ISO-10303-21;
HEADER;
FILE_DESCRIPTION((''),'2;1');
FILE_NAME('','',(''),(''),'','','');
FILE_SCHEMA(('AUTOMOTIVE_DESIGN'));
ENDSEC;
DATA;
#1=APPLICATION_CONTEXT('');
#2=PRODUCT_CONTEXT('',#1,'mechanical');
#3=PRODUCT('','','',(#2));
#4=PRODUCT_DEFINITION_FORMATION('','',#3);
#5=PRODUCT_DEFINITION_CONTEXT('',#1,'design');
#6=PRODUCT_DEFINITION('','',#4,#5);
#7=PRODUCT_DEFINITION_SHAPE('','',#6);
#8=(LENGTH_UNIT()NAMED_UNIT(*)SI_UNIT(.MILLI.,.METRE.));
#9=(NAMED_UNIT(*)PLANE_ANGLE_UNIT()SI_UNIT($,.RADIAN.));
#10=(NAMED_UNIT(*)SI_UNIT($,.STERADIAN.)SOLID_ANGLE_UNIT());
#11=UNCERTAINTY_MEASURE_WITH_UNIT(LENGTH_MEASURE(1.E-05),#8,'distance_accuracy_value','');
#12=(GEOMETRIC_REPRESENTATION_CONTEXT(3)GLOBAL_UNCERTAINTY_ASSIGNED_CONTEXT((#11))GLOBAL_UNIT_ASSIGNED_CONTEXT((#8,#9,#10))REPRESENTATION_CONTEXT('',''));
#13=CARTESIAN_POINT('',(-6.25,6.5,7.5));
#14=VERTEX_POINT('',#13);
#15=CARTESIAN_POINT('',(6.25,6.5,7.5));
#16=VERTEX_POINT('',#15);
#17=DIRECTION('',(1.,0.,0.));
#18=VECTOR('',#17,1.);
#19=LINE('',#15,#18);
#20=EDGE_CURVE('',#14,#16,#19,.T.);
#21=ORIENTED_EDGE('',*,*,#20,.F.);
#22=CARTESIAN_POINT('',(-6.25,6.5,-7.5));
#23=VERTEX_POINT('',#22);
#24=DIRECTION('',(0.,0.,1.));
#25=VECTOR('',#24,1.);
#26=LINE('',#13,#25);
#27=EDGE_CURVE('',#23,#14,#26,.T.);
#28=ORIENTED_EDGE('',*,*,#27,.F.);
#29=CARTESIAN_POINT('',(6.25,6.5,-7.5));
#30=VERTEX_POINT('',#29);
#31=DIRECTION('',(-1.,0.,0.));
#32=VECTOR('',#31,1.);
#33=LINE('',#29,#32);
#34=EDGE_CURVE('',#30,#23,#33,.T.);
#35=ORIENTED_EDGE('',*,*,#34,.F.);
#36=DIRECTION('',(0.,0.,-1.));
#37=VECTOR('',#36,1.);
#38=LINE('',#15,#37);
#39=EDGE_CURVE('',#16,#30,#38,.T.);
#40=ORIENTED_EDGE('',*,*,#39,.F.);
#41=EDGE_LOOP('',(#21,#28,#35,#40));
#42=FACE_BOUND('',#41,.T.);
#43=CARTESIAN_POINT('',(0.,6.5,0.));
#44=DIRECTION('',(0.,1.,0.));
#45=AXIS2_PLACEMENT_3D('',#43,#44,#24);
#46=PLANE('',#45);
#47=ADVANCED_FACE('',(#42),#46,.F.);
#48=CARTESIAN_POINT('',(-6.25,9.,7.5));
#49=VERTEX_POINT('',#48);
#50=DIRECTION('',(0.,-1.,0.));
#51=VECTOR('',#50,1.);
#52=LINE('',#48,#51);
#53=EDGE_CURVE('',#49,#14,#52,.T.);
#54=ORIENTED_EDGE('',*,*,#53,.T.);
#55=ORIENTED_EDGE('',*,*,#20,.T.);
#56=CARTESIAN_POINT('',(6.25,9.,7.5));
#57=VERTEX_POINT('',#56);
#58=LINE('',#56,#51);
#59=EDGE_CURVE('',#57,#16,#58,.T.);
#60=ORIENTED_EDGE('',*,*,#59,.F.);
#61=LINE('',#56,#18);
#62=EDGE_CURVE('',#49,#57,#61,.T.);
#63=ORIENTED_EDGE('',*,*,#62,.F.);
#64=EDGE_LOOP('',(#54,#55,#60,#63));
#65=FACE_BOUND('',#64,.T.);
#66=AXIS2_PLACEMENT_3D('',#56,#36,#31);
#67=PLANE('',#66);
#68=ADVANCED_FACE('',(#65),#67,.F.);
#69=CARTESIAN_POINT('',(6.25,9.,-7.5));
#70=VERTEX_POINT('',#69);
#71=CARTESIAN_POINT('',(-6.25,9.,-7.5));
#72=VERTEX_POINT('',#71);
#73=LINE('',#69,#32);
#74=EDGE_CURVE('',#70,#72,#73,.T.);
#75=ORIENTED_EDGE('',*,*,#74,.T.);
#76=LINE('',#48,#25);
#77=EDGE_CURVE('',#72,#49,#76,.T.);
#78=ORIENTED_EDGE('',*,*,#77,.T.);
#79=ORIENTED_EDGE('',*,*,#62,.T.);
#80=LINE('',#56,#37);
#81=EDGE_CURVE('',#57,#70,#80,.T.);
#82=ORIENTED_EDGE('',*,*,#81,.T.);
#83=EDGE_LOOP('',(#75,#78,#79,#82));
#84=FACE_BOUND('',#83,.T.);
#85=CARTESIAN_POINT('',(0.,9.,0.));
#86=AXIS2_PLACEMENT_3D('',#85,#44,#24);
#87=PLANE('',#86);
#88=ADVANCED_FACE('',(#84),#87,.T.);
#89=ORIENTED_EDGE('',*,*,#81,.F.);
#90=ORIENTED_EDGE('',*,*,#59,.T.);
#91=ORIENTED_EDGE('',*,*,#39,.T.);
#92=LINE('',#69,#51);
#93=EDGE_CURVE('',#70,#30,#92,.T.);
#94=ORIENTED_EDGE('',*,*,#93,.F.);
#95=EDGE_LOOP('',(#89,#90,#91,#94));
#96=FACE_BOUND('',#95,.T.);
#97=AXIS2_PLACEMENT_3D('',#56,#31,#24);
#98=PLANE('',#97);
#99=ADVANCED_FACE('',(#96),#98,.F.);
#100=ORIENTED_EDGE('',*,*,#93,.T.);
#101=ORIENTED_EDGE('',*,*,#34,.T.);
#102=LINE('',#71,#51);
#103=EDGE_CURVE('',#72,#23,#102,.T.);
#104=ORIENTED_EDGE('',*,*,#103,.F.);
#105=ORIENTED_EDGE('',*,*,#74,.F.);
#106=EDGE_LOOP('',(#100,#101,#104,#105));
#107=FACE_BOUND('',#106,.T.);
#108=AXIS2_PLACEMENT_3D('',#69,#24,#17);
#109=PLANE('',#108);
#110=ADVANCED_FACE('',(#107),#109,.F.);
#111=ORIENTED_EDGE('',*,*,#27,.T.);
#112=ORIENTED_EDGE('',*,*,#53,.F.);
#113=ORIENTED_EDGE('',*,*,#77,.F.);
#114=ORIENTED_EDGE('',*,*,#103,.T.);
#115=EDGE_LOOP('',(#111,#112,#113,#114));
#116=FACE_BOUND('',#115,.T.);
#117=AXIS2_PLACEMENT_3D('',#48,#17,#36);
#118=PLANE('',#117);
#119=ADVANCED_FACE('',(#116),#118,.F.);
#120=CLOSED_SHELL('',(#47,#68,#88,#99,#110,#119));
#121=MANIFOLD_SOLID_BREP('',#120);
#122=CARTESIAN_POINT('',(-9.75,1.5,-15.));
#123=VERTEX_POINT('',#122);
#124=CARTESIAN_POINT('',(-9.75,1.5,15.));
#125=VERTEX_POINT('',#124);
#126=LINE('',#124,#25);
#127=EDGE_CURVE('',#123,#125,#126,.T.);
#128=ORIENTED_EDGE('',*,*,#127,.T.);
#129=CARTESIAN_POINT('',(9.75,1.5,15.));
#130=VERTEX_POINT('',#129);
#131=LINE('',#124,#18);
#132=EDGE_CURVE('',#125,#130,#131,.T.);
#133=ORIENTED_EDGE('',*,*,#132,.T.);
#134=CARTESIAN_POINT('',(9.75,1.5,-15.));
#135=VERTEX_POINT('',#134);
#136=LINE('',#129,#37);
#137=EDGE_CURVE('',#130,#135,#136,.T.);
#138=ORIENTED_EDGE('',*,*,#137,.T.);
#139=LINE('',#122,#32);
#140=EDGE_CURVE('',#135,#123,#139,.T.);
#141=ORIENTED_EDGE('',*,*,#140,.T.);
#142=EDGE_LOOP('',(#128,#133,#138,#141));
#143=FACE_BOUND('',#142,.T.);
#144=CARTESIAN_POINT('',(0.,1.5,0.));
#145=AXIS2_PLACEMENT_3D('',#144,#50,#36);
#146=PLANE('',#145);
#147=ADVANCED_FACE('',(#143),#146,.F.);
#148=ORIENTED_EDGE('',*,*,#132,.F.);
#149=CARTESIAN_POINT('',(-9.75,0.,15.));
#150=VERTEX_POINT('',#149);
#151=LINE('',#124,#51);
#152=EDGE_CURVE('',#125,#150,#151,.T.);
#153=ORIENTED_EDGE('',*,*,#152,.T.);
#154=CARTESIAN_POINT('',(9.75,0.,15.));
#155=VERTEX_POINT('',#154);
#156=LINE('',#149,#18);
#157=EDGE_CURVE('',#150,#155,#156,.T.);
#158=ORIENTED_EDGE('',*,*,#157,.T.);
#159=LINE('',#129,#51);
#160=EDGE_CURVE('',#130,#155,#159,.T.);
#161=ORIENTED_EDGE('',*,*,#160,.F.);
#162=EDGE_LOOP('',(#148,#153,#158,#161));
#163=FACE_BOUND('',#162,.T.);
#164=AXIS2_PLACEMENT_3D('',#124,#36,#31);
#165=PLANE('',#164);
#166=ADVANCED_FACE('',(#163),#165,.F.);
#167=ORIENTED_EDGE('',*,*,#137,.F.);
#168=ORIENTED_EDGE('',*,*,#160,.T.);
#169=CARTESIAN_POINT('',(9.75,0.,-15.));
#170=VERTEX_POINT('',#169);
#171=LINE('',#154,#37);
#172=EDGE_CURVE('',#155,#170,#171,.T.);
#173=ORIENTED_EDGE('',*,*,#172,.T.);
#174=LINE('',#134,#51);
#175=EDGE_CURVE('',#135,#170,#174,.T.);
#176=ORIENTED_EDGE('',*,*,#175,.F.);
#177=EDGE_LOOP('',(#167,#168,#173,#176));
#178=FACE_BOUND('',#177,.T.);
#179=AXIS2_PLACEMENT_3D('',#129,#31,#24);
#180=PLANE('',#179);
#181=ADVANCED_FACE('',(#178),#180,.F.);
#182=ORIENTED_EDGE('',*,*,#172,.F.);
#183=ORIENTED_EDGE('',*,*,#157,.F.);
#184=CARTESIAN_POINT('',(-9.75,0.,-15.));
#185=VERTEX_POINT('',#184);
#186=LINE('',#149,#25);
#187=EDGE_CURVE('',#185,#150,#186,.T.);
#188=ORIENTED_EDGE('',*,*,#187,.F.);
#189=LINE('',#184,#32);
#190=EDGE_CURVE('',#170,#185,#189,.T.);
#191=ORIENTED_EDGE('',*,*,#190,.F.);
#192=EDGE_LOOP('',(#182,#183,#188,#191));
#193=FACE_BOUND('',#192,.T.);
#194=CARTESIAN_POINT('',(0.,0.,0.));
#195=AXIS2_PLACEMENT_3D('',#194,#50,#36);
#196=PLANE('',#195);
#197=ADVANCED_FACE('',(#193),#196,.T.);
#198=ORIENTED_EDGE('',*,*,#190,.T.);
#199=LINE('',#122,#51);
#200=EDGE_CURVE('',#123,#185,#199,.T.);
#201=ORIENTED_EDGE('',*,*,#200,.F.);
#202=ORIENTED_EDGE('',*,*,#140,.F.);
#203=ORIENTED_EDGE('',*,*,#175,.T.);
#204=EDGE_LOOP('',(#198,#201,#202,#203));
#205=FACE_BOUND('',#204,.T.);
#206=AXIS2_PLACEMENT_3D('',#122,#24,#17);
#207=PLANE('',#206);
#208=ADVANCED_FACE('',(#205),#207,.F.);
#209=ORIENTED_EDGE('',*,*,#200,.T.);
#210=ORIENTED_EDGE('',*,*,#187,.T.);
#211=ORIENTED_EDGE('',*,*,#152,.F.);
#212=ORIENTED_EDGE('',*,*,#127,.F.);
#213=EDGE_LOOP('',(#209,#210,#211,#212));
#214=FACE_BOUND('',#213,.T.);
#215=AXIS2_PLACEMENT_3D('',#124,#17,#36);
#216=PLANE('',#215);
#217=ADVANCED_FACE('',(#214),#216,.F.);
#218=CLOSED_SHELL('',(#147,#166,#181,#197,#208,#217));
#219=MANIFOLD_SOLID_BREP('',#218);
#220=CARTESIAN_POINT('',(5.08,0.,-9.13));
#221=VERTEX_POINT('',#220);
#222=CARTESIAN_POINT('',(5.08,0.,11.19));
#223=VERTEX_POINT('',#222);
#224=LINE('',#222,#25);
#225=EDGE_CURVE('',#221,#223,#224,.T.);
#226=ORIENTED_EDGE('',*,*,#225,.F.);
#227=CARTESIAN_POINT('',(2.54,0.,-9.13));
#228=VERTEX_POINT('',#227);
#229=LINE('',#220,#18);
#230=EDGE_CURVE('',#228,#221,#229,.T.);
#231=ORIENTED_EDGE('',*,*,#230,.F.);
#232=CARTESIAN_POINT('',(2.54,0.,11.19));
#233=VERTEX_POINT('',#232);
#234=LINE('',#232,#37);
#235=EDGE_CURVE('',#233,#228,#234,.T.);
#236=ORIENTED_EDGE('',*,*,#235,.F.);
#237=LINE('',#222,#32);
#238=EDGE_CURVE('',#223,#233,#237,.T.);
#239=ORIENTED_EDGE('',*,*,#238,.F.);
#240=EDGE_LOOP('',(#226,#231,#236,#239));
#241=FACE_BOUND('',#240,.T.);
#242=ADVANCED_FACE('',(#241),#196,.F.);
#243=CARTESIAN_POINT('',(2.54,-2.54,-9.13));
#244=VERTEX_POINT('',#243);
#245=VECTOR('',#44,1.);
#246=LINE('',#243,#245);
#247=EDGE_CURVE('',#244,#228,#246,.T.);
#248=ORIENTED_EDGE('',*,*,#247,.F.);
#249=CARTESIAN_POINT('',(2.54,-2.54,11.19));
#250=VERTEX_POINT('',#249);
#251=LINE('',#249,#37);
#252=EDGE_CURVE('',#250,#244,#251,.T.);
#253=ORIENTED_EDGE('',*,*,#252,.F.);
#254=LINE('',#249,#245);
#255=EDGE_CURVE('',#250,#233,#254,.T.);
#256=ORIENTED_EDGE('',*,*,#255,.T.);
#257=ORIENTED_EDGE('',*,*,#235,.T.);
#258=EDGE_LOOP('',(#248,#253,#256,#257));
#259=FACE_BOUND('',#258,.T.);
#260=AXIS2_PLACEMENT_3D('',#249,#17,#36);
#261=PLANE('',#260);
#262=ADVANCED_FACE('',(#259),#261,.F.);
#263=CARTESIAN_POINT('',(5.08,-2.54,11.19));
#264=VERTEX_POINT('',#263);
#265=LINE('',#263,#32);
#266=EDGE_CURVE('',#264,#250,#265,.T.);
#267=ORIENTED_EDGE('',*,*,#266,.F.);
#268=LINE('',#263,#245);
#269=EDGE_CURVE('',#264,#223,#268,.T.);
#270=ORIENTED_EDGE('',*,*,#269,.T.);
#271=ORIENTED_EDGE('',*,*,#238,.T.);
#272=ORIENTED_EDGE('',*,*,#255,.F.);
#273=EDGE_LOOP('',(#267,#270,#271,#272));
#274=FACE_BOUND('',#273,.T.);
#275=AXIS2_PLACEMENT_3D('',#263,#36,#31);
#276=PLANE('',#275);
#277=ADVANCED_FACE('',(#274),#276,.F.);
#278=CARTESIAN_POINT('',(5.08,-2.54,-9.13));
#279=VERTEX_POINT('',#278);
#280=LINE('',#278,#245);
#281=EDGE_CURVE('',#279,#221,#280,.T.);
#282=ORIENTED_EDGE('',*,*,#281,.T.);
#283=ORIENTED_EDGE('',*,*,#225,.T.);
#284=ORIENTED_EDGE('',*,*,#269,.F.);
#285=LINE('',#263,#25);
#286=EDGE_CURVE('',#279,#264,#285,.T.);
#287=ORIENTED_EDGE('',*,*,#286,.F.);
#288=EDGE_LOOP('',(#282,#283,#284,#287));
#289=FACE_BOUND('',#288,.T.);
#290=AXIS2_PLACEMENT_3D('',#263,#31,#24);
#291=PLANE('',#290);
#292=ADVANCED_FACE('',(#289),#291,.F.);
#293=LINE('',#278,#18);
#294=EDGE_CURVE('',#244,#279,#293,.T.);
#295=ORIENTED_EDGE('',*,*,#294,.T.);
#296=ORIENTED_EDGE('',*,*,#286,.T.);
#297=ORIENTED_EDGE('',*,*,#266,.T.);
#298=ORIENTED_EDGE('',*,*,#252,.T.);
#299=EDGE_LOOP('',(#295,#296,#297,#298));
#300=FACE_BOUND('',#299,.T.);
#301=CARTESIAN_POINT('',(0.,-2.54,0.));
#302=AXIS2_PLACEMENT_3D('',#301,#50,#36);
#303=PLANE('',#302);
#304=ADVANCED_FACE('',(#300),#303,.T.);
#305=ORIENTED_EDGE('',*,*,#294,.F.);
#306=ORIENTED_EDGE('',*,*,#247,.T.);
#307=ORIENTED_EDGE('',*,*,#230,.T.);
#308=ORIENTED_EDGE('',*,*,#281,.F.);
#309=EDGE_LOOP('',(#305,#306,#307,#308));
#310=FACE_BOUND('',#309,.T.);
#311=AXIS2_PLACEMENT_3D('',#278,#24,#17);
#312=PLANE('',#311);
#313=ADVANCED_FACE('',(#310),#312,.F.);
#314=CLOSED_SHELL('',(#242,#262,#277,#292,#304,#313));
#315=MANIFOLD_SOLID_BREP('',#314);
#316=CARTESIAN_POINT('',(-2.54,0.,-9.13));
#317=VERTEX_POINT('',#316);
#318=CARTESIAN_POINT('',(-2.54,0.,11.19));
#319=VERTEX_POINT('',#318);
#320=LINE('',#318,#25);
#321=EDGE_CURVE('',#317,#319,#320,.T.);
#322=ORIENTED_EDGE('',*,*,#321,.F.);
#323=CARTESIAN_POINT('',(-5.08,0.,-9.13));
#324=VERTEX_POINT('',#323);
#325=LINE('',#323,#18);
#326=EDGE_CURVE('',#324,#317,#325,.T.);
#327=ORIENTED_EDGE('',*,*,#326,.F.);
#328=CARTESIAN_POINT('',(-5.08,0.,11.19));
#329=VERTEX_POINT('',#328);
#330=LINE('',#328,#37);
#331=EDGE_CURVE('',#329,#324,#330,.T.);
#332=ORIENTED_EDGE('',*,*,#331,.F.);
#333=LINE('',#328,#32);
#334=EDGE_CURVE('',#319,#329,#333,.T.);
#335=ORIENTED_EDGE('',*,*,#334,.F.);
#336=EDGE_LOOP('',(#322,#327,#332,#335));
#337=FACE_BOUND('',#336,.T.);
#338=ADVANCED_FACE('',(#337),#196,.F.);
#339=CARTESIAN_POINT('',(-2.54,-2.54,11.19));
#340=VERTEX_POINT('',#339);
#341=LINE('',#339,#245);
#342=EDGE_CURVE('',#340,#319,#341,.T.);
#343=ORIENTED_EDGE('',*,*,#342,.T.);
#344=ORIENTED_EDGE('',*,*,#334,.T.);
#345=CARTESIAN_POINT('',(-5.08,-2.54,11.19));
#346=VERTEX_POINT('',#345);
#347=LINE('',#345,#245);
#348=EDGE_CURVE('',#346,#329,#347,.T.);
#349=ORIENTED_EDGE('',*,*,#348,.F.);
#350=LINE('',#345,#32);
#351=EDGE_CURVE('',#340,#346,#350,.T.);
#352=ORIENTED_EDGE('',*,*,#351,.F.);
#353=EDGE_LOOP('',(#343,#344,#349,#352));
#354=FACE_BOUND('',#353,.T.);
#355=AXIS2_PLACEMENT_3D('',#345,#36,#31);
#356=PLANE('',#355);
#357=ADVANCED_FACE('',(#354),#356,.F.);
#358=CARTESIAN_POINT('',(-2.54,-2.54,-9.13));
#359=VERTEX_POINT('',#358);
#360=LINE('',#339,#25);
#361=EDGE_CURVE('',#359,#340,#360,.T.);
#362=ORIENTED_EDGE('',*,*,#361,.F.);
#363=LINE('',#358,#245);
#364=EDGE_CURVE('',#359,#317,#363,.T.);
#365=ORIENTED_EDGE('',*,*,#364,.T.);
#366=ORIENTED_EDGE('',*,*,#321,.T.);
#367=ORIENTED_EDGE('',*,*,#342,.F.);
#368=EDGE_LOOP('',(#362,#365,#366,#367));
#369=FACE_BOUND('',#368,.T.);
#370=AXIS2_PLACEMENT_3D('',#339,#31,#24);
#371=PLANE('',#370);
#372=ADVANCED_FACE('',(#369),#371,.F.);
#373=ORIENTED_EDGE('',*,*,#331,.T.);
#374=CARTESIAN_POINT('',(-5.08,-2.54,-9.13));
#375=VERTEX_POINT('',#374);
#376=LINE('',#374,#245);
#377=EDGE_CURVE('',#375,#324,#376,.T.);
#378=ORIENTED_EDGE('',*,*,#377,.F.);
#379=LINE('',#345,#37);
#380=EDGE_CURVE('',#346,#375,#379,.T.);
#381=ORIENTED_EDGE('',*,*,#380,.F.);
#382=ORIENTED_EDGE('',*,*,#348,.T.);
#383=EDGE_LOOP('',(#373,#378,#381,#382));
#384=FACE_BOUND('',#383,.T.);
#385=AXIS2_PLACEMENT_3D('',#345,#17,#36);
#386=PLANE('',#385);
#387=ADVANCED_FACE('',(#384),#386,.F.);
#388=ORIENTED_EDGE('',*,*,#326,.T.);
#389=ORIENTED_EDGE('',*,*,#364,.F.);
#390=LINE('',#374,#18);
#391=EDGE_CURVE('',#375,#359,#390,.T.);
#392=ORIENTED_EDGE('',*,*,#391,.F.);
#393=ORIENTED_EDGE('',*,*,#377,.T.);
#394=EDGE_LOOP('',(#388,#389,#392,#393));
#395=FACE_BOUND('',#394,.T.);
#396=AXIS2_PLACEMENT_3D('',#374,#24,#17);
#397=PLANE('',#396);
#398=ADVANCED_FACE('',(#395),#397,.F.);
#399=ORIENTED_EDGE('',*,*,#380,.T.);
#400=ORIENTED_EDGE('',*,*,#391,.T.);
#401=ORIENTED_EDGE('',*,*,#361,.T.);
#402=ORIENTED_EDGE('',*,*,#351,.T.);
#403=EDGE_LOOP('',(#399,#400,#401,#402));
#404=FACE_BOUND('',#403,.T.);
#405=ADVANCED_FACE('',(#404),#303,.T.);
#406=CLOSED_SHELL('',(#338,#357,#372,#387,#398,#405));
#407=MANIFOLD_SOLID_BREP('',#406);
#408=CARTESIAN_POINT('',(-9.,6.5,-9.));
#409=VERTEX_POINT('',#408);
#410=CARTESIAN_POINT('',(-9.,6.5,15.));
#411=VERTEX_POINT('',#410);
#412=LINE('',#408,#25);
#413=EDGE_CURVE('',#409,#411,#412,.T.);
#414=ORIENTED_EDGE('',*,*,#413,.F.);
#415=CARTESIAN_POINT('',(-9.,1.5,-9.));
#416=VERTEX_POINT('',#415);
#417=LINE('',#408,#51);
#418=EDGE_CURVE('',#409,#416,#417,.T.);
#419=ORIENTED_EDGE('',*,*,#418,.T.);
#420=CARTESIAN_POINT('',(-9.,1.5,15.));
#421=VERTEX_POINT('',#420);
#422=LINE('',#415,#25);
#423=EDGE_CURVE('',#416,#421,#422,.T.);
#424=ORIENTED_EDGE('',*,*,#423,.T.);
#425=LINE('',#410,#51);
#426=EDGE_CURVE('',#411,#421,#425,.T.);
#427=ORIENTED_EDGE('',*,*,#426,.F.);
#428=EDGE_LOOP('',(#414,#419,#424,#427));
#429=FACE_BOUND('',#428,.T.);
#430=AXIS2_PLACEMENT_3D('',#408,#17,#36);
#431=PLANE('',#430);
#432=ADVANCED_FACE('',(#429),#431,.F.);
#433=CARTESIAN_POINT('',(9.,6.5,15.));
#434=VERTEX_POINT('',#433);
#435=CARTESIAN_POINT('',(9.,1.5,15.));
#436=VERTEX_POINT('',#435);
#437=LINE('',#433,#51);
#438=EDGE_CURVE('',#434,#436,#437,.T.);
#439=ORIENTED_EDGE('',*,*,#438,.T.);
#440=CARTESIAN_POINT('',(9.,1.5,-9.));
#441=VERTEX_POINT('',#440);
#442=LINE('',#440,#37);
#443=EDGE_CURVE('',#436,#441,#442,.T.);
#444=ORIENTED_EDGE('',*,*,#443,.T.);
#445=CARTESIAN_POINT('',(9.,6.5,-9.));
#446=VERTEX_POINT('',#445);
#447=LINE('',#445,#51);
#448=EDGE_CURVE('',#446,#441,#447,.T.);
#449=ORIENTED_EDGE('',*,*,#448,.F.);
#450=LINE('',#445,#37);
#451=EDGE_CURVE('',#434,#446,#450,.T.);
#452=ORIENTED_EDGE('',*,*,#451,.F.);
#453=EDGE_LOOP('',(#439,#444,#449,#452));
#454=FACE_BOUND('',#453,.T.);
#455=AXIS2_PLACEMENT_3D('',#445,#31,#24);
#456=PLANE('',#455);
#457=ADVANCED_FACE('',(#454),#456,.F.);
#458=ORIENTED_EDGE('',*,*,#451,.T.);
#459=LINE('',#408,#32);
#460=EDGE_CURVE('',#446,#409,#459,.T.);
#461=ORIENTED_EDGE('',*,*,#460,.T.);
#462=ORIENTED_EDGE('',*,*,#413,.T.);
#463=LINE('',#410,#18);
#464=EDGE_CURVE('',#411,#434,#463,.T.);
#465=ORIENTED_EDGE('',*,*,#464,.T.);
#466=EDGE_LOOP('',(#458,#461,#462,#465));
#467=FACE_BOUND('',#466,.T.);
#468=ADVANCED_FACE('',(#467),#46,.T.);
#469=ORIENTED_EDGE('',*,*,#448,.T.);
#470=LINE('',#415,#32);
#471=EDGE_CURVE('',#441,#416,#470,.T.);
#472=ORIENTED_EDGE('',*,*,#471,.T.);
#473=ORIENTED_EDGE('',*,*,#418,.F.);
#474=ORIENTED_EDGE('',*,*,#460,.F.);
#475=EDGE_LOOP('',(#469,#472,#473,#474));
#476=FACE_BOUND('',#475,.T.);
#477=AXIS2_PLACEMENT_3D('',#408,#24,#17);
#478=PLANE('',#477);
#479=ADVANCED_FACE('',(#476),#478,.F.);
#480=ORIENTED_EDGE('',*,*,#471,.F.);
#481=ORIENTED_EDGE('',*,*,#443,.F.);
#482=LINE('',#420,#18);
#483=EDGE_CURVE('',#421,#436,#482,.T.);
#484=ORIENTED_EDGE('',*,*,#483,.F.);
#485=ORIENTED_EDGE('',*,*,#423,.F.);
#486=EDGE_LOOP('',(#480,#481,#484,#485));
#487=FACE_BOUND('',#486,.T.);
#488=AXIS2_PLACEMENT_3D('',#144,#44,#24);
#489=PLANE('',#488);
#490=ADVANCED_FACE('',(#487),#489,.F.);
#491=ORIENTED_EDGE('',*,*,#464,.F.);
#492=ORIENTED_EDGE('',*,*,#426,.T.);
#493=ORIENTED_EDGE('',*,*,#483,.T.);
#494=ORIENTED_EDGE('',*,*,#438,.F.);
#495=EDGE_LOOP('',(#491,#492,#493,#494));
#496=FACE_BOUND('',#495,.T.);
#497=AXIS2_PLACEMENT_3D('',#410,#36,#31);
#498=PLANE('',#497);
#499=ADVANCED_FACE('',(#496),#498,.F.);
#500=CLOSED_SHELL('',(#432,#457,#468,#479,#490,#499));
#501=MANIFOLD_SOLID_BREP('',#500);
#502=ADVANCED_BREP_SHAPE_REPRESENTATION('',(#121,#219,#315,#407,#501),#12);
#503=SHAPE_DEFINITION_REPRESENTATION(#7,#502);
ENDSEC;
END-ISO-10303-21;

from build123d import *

# Parameters (mm, degrees)
SKETCH_1_W        = 19.5
SKETCH_1_H        = 30
EXTRUDE_1_DEPTH   = 1.5
SKETCH_2_W        = 2.54
SKETCH_2_H        = 20.32
EXTRUDE_2_DEPTH   = 2.54
EXTRUDE_2_2_DEPTH = 2.54
SKETCH_3_W        = 18
SKETCH_3_H        = 24
EXTRUDE_3_DEPTH   = 5
SKETCH_4_W        = 12.5
SKETCH_4_H        = 15
EXTRUDE_4_DEPTH   = 2.5


with BuildPart() as part:
    # Эскиз1 → Бобышка-Вытянуть1 (new body)
    with BuildSketch(Plane(origin=(0, 0, 0), x_dir=(1, 0, 0), z_dir=(0, 1, 0))):
        Rectangle(SKETCH_1_W, SKETCH_1_H)
    extrude(amount=EXTRUDE_1_DEPTH)


with BuildPart() as body_2:
    # Эскиз2 → Бобышка-Вытянуть2 (new body)
    with BuildSketch(Plane.XZ):
        with Locations((-3.81, 1.03)):
            Rectangle(SKETCH_2_W, SKETCH_2_H)
    extrude(amount=EXTRUDE_2_DEPTH)


with BuildPart() as body_3:
    # Эскиз2 → Extrude 2 2 (new body)
    with BuildSketch(Plane.XZ):
        with Locations((3.81, 1.03)):
            Rectangle(SKETCH_2_W, SKETCH_2_H)
    extrude(amount=EXTRUDE_2_2_DEPTH)


with BuildPart() as body_4:
    # Эскиз3 → Бобышка-Вытянуть3 (new body)
    with BuildSketch(Plane(origin=(0, 1.5, 0), x_dir=(1, 0, 0), z_dir=(0, 1, 0))):
        with Locations((0, -3)):
            Rectangle(SKETCH_3_W, SKETCH_3_H)
    extrude(amount=EXTRUDE_3_DEPTH)


with BuildPart() as body_5:
    # Эскиз4 → Бобышка-Вытянуть4 (new body)
    with BuildSketch(Plane(origin=(0, 6.5, 0), x_dir=(1, 0, 0), z_dir=(0, 1, 0))):
        Rectangle(SKETCH_4_W, SKETCH_4_H)
    extrude(amount=EXTRUDE_4_DEPTH)


solid = Compound([part.part, body_2.part, body_3.part, body_4.part, body_5.part])
